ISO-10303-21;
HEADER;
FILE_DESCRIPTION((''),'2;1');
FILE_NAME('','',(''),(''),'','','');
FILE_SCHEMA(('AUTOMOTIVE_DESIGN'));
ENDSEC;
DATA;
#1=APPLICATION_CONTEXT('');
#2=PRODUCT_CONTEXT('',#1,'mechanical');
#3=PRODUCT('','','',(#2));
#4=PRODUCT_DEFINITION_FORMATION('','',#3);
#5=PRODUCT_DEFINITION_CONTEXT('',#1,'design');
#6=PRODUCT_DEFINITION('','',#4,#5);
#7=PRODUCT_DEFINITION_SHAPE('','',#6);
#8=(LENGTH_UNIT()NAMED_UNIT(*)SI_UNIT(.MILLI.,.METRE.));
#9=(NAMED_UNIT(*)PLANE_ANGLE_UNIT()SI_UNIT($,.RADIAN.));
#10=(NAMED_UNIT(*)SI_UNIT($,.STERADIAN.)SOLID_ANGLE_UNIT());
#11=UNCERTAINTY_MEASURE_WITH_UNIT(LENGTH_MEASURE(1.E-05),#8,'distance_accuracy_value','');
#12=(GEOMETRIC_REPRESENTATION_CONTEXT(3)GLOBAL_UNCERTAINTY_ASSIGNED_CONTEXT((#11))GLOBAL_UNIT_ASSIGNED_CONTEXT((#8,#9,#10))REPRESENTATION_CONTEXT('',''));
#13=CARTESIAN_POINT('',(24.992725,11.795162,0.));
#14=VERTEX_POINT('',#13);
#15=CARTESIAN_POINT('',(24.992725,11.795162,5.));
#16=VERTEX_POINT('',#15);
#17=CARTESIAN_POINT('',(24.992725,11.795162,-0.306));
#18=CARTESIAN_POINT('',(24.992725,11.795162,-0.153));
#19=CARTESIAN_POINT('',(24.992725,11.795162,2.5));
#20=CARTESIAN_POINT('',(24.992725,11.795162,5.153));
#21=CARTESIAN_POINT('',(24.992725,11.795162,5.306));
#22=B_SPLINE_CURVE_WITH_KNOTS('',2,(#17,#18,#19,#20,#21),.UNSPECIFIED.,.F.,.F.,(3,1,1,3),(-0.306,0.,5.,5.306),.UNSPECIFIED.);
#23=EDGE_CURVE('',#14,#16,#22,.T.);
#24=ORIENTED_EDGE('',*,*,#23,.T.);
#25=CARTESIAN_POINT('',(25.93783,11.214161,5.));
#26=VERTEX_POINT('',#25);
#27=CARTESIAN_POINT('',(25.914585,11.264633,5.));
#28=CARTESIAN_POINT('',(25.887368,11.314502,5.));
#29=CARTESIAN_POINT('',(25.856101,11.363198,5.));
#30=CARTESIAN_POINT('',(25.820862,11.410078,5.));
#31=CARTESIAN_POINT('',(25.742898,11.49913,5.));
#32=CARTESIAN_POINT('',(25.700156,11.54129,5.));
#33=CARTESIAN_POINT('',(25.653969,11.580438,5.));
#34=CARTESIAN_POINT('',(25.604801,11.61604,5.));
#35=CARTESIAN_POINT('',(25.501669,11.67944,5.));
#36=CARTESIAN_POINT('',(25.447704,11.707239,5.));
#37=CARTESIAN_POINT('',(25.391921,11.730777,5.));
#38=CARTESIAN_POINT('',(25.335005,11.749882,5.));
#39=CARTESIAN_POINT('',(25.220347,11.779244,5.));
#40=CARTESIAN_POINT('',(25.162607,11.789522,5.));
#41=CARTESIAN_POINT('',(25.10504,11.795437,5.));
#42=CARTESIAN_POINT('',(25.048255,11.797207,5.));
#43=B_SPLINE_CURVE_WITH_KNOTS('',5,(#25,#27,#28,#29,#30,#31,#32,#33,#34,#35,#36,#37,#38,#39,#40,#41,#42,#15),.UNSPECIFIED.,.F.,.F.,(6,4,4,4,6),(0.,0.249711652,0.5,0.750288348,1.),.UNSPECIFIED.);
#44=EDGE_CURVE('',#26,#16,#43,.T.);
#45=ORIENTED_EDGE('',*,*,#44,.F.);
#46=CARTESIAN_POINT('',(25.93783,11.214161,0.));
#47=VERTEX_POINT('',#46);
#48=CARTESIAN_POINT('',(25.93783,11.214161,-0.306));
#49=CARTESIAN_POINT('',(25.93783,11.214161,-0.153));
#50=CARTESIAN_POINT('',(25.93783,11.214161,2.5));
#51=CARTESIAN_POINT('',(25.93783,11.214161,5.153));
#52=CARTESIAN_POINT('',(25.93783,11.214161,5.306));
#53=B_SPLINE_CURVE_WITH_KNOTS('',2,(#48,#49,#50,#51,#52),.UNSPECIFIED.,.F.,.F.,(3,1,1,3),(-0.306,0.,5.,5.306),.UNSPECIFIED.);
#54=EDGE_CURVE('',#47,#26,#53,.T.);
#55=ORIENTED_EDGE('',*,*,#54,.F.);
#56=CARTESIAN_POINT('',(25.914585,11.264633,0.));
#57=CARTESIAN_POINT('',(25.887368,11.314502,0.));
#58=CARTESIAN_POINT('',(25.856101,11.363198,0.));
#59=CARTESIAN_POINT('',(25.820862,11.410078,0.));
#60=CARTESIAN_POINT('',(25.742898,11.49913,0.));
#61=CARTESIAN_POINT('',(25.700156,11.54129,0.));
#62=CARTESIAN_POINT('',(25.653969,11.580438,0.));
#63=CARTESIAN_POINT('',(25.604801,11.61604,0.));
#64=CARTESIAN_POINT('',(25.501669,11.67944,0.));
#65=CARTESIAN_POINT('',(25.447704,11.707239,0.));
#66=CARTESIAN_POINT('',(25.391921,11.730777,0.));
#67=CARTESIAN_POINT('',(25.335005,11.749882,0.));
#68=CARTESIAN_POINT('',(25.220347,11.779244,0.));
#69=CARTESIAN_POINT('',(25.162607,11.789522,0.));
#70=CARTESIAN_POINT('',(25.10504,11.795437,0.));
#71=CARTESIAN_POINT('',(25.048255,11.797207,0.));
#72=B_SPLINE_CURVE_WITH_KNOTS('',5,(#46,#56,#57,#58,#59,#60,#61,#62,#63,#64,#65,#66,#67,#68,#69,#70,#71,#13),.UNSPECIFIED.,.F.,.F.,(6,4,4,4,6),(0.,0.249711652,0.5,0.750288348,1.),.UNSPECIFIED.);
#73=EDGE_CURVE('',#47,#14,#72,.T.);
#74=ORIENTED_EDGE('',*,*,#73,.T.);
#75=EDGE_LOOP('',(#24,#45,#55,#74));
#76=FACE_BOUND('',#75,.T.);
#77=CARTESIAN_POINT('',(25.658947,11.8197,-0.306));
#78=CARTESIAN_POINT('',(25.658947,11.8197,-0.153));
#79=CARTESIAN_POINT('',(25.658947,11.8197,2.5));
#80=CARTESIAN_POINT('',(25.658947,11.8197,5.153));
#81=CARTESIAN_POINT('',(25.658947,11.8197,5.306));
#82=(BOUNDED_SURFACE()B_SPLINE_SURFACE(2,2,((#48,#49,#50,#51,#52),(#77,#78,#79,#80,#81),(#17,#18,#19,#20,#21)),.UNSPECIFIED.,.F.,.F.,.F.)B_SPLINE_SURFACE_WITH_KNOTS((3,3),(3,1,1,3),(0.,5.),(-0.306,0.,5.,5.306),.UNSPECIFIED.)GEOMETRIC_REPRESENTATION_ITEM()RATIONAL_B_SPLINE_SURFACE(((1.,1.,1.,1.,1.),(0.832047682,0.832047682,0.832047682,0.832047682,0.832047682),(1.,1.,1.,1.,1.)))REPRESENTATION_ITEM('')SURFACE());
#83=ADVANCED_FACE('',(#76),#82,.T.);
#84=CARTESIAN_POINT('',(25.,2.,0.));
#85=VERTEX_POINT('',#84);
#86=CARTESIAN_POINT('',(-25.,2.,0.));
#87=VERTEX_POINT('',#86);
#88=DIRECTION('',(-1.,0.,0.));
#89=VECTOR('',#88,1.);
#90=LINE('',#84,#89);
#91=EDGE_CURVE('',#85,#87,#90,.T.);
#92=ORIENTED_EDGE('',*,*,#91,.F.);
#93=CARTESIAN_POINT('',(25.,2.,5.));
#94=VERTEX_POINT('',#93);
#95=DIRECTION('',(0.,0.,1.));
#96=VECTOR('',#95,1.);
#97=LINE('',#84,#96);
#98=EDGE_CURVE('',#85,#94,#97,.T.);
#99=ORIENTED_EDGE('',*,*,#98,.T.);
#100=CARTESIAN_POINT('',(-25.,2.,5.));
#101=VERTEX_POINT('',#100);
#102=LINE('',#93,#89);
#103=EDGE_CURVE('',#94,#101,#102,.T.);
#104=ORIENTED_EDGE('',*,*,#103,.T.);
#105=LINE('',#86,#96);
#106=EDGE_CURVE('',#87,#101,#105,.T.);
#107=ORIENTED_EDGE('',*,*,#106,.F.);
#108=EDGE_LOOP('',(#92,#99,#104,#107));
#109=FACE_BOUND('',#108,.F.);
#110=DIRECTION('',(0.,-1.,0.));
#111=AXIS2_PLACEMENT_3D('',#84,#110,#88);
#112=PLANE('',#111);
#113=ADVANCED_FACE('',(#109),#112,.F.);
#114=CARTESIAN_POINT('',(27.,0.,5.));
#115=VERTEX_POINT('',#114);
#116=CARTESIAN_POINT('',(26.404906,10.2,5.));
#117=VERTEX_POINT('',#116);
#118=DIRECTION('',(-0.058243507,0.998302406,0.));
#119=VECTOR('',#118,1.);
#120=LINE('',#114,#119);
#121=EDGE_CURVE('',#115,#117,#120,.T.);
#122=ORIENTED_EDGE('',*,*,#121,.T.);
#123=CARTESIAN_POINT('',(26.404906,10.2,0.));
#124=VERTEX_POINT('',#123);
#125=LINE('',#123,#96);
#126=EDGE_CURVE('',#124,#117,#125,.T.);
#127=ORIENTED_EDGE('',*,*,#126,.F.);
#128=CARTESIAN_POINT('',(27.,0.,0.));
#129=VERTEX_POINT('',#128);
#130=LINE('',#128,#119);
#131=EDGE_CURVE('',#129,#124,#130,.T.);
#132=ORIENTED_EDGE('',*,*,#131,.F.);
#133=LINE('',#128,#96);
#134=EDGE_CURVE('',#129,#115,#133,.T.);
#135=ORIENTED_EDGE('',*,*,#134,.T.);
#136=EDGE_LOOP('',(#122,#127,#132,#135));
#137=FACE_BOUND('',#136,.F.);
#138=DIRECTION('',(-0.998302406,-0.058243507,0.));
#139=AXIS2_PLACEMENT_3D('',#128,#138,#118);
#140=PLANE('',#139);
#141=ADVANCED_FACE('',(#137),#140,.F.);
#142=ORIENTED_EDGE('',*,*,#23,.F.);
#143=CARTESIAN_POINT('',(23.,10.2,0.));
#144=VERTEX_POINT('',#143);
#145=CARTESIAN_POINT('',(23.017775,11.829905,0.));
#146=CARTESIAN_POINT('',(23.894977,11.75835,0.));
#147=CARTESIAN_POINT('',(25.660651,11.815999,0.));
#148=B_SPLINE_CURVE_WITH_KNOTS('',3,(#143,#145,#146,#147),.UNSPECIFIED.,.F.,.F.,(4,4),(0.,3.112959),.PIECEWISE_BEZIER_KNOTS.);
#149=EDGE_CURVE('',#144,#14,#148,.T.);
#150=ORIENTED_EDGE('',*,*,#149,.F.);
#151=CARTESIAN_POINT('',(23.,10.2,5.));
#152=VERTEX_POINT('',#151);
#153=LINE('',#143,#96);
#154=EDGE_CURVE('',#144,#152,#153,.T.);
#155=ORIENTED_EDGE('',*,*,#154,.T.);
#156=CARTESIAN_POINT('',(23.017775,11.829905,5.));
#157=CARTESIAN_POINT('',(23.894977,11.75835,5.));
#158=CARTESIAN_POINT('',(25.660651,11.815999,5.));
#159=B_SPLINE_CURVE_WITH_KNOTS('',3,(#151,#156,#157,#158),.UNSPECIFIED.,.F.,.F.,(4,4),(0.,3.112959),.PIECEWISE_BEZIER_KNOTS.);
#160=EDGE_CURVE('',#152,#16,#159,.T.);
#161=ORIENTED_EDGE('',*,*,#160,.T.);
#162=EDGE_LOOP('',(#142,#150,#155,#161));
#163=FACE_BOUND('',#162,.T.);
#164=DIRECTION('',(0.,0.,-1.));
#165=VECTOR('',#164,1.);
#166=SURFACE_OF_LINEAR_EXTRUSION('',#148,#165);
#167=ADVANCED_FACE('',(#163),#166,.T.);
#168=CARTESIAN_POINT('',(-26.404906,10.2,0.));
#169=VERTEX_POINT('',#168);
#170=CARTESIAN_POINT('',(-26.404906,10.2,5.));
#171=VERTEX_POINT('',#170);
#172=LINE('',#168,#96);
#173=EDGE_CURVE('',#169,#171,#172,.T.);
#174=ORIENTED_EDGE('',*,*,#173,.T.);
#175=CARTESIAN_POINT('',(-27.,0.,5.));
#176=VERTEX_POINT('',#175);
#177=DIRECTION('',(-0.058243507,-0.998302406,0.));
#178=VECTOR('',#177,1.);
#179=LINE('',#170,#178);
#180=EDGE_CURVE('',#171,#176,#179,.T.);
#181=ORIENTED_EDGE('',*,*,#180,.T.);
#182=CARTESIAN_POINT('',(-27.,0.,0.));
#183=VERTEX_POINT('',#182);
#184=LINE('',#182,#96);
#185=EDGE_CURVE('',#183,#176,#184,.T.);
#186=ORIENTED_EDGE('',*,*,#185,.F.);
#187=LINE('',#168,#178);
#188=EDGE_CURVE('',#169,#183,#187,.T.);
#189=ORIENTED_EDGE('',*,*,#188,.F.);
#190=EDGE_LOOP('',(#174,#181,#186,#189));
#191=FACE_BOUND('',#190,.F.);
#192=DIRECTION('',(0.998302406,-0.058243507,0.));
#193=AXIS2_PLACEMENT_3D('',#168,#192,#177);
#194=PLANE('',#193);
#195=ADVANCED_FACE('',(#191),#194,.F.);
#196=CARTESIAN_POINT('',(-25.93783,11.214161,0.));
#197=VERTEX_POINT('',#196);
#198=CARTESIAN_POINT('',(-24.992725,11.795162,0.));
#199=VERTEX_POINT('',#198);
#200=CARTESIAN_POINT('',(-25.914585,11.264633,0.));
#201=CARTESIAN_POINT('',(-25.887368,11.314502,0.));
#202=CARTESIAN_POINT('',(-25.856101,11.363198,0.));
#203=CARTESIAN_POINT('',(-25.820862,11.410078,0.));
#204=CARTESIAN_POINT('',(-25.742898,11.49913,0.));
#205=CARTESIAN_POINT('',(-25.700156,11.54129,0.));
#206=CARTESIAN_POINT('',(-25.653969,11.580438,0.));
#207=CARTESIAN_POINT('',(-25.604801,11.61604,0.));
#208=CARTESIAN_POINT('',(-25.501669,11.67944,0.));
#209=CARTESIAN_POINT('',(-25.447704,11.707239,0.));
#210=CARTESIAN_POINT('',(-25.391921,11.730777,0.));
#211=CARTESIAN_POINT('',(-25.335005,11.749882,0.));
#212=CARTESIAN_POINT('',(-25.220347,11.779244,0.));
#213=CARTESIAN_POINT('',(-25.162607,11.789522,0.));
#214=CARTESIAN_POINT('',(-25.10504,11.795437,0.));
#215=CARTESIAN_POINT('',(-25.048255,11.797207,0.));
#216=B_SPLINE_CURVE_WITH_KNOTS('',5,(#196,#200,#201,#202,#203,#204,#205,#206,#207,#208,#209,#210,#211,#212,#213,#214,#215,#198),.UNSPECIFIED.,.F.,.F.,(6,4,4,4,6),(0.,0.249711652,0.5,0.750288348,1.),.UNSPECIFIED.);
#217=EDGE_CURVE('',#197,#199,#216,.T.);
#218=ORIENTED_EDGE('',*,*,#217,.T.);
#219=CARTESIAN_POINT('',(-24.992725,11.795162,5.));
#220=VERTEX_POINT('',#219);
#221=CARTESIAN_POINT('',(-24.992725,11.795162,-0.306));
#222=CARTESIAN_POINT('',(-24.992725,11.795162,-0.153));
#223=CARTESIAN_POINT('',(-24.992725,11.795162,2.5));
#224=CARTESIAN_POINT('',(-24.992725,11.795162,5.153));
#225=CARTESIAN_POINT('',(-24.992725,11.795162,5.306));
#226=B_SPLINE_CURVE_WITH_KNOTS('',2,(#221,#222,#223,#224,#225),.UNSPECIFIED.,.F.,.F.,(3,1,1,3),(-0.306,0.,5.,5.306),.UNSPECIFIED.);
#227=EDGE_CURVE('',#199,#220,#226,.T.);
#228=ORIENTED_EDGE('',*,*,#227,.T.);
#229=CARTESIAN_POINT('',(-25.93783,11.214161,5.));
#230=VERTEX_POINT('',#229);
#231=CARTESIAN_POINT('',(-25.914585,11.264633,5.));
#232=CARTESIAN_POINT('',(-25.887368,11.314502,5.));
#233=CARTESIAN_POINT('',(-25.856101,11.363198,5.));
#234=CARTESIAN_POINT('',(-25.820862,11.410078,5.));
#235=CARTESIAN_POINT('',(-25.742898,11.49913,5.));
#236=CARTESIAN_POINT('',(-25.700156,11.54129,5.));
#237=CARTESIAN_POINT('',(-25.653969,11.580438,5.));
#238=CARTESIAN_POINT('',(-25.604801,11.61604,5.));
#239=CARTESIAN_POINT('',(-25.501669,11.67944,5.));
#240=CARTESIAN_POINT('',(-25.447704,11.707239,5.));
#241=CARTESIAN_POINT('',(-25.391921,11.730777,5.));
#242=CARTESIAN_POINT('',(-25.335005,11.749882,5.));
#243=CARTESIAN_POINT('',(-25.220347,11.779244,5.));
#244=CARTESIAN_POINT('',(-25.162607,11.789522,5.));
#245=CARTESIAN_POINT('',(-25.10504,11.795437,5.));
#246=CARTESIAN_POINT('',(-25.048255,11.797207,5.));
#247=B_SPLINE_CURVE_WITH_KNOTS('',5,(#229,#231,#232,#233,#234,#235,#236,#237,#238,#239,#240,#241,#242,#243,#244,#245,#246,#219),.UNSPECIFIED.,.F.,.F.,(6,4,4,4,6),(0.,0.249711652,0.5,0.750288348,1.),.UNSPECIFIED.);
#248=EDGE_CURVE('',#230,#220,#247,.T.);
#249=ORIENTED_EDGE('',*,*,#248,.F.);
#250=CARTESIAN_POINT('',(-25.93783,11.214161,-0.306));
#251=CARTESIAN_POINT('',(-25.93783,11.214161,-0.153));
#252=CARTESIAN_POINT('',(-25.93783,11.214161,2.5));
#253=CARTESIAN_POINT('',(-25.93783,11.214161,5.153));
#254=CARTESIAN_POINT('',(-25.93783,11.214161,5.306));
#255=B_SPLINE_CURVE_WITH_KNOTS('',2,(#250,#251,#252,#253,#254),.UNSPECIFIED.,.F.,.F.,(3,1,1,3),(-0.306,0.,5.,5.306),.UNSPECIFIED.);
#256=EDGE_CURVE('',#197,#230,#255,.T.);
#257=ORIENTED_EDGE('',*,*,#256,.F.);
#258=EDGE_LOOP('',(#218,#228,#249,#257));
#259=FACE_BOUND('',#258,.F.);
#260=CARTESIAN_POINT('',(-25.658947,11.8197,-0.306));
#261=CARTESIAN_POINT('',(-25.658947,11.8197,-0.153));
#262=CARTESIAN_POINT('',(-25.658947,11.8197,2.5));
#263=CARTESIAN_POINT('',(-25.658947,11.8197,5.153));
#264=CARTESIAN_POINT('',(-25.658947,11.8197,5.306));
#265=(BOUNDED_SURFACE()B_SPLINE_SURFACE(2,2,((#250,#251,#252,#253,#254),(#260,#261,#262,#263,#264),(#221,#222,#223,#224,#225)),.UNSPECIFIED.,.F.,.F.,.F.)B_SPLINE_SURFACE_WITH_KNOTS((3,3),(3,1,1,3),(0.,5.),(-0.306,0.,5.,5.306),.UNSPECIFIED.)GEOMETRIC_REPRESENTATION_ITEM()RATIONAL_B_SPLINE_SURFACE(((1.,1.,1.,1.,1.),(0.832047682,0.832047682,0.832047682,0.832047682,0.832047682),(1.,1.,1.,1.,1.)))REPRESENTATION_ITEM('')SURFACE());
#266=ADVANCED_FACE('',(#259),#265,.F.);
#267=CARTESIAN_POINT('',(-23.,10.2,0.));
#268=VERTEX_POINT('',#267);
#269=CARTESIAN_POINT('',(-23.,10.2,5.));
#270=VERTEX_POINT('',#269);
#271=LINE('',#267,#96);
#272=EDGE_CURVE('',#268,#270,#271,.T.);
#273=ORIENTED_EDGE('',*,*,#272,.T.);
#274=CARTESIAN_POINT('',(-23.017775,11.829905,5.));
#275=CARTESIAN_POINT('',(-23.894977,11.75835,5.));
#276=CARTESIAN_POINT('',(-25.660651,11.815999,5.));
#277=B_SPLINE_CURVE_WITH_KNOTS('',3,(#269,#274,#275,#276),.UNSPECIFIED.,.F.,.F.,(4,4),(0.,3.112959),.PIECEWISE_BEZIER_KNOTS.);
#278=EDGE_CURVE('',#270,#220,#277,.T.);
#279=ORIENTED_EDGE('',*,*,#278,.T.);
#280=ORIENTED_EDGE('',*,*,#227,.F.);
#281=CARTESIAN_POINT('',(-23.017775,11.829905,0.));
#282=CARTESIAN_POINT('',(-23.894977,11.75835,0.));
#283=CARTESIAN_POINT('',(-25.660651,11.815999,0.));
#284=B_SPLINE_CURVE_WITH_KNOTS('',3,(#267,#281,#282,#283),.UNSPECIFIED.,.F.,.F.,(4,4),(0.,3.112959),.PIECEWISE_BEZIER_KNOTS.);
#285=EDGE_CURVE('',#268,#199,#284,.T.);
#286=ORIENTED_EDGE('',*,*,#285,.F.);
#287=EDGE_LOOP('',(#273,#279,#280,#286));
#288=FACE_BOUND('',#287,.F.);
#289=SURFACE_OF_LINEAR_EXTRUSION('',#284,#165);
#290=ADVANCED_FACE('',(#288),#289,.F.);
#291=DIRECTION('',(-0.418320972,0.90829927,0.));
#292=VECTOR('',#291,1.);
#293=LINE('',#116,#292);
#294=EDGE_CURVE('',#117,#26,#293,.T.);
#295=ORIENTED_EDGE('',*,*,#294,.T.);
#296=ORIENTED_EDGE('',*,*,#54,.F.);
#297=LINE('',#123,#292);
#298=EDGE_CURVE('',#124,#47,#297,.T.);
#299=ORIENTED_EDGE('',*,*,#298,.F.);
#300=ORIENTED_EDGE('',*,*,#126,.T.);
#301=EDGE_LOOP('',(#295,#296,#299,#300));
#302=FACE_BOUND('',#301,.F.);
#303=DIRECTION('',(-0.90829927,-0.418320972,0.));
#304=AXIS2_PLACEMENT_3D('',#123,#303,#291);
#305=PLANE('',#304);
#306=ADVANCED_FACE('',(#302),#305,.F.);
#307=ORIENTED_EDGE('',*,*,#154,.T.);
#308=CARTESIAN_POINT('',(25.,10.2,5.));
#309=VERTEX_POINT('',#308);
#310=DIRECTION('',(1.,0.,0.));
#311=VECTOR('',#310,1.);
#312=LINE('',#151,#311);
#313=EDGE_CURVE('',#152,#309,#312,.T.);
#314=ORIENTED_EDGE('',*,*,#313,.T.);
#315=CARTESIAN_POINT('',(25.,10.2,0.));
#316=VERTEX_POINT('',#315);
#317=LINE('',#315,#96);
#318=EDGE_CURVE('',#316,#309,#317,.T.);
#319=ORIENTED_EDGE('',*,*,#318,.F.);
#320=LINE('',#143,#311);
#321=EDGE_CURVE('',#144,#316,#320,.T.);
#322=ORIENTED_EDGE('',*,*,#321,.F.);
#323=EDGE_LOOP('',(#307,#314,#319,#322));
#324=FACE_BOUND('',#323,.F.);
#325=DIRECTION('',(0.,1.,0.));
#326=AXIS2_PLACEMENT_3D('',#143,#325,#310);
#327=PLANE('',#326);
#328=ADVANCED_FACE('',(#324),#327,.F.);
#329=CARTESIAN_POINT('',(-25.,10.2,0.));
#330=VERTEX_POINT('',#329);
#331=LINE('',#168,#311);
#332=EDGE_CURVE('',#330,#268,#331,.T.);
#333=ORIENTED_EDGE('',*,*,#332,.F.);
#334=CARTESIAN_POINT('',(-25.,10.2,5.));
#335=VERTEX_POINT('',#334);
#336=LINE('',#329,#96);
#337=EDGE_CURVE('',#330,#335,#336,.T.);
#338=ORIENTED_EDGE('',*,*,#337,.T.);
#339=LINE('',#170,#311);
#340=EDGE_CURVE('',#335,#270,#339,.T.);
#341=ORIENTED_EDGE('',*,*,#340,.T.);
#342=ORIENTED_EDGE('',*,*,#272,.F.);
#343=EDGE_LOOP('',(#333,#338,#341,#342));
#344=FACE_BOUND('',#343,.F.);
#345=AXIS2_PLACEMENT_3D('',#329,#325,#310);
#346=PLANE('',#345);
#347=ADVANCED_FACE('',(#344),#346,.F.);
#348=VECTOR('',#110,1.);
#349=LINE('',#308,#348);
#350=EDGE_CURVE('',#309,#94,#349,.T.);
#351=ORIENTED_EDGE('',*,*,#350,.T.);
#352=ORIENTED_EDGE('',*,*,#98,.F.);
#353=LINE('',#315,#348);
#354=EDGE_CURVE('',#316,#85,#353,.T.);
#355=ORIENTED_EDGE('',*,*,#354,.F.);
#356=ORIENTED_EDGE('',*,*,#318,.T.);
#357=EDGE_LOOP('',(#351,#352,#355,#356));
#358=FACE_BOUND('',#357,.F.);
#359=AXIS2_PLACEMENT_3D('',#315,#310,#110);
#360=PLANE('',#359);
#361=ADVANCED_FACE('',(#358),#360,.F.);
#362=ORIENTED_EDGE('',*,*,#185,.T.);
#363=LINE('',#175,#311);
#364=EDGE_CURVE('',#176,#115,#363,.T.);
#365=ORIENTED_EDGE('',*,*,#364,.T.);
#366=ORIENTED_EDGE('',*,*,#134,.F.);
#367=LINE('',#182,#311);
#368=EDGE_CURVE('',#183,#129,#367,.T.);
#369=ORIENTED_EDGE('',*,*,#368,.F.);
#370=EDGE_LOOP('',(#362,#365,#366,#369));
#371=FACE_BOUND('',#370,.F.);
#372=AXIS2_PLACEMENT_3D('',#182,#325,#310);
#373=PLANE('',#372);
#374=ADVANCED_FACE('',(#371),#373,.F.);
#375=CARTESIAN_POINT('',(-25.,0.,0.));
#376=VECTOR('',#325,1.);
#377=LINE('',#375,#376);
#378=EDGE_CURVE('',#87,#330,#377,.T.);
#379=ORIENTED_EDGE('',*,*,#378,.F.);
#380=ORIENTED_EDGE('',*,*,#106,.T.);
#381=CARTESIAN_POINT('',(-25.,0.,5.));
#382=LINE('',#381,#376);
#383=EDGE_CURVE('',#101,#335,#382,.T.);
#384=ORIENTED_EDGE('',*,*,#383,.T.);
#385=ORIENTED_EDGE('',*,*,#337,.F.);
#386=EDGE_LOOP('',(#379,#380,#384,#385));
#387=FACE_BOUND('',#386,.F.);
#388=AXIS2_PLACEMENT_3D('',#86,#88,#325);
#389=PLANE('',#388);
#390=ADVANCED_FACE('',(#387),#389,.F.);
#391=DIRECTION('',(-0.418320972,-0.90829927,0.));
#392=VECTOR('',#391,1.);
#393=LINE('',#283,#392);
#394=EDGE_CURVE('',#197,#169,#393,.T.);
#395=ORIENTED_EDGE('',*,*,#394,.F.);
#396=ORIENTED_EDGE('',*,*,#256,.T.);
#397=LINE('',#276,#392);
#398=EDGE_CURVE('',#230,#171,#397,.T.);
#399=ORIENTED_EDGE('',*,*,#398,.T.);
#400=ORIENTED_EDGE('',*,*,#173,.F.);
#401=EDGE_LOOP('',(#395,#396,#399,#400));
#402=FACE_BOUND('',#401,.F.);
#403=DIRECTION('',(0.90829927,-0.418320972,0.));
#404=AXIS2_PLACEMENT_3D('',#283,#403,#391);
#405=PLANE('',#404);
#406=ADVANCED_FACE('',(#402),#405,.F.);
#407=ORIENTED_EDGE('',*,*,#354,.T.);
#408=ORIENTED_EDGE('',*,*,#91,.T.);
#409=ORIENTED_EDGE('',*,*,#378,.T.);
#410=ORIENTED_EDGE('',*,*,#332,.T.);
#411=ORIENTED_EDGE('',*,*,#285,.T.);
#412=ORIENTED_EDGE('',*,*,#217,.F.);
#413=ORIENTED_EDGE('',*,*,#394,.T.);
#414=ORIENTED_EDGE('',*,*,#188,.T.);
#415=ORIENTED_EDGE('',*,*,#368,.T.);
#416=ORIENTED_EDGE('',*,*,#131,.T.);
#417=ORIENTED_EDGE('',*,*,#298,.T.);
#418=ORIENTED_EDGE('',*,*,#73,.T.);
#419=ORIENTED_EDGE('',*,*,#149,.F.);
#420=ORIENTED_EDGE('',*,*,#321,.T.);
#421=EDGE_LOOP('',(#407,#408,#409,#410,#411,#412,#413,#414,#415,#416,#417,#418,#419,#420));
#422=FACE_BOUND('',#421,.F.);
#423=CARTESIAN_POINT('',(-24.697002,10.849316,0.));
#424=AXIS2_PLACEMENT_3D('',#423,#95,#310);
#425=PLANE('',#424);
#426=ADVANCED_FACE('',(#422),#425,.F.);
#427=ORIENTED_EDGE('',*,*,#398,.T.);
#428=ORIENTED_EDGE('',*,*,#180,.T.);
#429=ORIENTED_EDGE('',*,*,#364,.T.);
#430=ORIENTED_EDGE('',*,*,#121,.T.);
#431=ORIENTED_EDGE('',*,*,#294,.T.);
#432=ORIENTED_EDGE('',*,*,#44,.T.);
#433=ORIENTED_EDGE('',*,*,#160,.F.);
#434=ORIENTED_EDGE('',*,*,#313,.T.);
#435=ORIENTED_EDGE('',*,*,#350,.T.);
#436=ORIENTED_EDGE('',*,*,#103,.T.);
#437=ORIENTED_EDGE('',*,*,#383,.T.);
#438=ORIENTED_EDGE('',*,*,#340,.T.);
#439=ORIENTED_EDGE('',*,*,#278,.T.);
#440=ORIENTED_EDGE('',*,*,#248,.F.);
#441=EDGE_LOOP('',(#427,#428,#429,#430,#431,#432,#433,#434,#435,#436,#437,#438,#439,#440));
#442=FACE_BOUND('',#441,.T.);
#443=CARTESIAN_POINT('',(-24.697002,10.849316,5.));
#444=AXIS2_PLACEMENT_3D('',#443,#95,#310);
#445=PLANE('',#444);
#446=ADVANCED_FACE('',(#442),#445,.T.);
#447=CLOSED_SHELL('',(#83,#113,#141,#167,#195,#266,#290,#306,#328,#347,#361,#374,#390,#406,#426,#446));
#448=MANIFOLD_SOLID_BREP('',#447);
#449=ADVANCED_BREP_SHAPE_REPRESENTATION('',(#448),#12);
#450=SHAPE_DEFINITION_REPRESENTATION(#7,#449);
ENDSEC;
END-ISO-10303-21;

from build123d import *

# Parameters (mm, degrees)
F0_W     = 25
F0_H     = 2
F1_DEPTH = 5
F2_R     = 1
F3_R     = 1


with BuildPart() as f1:
    # F0 (on Top) → F1 (new body)
    with BuildSketch(Plane.XY):
        with BuildLine():
            Line((-26.404906, 10.2), (-25, 10.2))
            Line((-25, 10.2), (-23, 10.2))
            add(Edge.make_bspline(
                [(-23, 10.2), (-23.017775, 11.829905), (-23.894977, 11.75835), (-25.660651, 11.815999)],
                knots=[0, 0, 0, 0, 3.112959, 3.112959, 3.112959, 3.112959], degree=3))
            Line((-25.660651, 11.815999), (-26.404906, 10.2))
        make_face()
        Polygon((-27, 0), (-25, 0), (-25, 2), (-25, 10.2), (-26.404906, 10.2), align=None)
        with Locations((-12.5, 1)):
            Rectangle(F0_W, F0_H)
        with Locations((12.5, 1)):
            Rectangle(F0_W, F0_H)
        Polygon((25, 2), (25, 0), (27, 0), (26.404906, 10.2), (25, 10.2), align=None)
        with BuildLine():
            Line((23, 10.2), (25, 10.2))
            Line((25, 10.2), (26.404906, 10.2))
            Line((26.404906, 10.2), (25.660651, 11.815999))
            add(Edge.make_bspline(
                [(23, 10.2), (23.017775, 11.829905), (23.894977, 11.75835), (25.660651, 11.815999)],
                knots=[0, 0, 0, 0, 3.112959, 3.112959, 3.112959, 3.112959], degree=3))
        make_face()
    extrude(amount=F1_DEPTH)

    # F2
    f2_edges = [f1.edges().sort_by_distance(p)[0] for p in [
        (25.660651, 11.815999, 2.5),
    ]]
    fillet(f2_edges, radius=F2_R)

    # F3
    f3_edges = [f1.edges().sort_by_distance(p)[0] for p in [
        (-25.660651, 11.815999, 2.5),
    ]]
    fillet(f3_edges, radius=F3_R)


solid = f1.part
